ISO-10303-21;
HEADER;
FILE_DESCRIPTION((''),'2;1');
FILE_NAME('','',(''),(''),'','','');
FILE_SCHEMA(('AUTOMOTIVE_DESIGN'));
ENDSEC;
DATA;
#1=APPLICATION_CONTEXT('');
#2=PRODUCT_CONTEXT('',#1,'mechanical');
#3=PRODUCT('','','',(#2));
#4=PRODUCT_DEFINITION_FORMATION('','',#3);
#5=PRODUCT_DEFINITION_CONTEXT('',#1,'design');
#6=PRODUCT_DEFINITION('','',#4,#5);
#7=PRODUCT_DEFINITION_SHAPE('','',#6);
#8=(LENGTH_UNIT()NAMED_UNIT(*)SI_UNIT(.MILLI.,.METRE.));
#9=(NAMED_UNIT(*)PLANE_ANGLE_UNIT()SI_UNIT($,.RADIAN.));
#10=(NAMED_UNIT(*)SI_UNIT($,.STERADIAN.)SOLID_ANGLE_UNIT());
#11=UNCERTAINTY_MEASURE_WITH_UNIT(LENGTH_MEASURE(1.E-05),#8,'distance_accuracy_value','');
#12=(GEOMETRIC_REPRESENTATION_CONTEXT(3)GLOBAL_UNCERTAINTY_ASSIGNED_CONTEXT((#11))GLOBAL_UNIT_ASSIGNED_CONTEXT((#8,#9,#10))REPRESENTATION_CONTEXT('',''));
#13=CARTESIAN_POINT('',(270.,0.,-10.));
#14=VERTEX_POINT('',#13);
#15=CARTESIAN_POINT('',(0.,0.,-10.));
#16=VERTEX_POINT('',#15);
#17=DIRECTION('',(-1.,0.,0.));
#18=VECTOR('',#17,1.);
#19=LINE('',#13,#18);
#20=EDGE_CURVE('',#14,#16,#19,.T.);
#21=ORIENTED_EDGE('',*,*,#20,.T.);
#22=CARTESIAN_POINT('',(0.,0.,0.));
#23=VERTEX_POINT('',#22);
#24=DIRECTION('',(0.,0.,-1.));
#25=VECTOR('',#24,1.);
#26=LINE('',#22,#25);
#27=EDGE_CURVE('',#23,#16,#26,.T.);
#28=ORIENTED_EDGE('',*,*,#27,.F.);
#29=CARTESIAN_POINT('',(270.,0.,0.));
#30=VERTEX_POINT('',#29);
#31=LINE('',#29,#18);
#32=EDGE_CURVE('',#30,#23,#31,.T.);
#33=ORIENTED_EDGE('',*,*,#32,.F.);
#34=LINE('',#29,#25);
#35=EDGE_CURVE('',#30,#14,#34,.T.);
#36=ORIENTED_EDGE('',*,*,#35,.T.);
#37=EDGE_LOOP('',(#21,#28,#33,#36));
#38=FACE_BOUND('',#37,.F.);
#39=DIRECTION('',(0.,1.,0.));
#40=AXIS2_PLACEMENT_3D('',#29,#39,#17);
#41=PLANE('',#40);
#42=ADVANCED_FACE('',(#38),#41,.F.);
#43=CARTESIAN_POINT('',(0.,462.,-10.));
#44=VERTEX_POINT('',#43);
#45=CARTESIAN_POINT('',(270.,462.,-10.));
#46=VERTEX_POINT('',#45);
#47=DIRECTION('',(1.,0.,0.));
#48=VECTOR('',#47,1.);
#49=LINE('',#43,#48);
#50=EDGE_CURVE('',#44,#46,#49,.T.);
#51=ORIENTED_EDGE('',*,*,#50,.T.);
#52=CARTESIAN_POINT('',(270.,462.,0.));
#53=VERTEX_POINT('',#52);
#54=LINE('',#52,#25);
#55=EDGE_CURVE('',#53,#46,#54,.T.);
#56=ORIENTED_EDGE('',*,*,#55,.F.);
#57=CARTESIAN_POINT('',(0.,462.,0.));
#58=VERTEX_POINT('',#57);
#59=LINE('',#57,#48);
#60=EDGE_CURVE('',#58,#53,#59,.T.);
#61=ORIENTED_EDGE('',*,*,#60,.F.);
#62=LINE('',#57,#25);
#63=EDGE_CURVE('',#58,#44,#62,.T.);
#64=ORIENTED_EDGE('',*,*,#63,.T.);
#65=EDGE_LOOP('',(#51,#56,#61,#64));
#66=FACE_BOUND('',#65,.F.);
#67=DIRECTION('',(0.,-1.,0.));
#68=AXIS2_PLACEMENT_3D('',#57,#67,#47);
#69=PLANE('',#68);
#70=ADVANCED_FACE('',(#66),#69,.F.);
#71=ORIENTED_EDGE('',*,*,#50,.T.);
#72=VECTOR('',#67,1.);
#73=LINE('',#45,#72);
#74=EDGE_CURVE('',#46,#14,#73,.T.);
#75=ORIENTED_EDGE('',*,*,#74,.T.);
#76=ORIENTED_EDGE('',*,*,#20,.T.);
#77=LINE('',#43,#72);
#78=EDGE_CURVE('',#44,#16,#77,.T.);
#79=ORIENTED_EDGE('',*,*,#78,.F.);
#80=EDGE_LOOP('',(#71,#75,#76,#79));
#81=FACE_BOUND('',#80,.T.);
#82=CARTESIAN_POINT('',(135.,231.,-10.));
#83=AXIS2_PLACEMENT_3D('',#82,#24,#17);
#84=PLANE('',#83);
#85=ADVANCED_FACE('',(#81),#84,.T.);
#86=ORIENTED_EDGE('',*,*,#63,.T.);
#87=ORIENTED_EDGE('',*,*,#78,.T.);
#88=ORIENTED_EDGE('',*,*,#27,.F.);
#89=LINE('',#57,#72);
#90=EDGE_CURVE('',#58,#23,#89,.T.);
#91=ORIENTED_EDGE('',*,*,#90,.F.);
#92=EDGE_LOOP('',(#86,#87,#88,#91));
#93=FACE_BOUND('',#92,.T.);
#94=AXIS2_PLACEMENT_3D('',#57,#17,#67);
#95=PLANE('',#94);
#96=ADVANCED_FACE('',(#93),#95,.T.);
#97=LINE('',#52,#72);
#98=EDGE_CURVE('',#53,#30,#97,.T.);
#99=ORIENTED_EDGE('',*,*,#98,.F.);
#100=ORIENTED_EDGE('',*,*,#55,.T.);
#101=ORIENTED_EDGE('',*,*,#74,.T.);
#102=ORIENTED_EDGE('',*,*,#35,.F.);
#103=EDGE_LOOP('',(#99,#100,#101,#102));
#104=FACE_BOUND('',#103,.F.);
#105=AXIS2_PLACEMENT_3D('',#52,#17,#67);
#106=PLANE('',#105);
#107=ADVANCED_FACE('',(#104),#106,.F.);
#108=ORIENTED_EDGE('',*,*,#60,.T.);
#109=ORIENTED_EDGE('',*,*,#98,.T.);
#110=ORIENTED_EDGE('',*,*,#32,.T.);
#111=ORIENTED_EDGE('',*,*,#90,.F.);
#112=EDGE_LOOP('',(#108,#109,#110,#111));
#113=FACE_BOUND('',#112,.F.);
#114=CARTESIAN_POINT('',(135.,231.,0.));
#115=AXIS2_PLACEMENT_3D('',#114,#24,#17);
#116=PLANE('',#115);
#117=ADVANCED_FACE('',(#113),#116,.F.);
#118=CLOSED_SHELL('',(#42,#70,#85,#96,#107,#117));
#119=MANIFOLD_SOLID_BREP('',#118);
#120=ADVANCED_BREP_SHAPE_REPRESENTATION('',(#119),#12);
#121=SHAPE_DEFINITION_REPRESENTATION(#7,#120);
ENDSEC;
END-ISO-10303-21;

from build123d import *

# Parameters (mm, degrees)
PAD_DEPTH = 10


with BuildPart() as part:
    # Sketch → Pad (new body)
    with BuildSketch(Plane.XY):
        Polygon((0, 413.879036), (0, 462), (270, 462), (270, 0), (0, 0), align=None)
    extrude(amount=-PAD_DEPTH)


solid = part.part
